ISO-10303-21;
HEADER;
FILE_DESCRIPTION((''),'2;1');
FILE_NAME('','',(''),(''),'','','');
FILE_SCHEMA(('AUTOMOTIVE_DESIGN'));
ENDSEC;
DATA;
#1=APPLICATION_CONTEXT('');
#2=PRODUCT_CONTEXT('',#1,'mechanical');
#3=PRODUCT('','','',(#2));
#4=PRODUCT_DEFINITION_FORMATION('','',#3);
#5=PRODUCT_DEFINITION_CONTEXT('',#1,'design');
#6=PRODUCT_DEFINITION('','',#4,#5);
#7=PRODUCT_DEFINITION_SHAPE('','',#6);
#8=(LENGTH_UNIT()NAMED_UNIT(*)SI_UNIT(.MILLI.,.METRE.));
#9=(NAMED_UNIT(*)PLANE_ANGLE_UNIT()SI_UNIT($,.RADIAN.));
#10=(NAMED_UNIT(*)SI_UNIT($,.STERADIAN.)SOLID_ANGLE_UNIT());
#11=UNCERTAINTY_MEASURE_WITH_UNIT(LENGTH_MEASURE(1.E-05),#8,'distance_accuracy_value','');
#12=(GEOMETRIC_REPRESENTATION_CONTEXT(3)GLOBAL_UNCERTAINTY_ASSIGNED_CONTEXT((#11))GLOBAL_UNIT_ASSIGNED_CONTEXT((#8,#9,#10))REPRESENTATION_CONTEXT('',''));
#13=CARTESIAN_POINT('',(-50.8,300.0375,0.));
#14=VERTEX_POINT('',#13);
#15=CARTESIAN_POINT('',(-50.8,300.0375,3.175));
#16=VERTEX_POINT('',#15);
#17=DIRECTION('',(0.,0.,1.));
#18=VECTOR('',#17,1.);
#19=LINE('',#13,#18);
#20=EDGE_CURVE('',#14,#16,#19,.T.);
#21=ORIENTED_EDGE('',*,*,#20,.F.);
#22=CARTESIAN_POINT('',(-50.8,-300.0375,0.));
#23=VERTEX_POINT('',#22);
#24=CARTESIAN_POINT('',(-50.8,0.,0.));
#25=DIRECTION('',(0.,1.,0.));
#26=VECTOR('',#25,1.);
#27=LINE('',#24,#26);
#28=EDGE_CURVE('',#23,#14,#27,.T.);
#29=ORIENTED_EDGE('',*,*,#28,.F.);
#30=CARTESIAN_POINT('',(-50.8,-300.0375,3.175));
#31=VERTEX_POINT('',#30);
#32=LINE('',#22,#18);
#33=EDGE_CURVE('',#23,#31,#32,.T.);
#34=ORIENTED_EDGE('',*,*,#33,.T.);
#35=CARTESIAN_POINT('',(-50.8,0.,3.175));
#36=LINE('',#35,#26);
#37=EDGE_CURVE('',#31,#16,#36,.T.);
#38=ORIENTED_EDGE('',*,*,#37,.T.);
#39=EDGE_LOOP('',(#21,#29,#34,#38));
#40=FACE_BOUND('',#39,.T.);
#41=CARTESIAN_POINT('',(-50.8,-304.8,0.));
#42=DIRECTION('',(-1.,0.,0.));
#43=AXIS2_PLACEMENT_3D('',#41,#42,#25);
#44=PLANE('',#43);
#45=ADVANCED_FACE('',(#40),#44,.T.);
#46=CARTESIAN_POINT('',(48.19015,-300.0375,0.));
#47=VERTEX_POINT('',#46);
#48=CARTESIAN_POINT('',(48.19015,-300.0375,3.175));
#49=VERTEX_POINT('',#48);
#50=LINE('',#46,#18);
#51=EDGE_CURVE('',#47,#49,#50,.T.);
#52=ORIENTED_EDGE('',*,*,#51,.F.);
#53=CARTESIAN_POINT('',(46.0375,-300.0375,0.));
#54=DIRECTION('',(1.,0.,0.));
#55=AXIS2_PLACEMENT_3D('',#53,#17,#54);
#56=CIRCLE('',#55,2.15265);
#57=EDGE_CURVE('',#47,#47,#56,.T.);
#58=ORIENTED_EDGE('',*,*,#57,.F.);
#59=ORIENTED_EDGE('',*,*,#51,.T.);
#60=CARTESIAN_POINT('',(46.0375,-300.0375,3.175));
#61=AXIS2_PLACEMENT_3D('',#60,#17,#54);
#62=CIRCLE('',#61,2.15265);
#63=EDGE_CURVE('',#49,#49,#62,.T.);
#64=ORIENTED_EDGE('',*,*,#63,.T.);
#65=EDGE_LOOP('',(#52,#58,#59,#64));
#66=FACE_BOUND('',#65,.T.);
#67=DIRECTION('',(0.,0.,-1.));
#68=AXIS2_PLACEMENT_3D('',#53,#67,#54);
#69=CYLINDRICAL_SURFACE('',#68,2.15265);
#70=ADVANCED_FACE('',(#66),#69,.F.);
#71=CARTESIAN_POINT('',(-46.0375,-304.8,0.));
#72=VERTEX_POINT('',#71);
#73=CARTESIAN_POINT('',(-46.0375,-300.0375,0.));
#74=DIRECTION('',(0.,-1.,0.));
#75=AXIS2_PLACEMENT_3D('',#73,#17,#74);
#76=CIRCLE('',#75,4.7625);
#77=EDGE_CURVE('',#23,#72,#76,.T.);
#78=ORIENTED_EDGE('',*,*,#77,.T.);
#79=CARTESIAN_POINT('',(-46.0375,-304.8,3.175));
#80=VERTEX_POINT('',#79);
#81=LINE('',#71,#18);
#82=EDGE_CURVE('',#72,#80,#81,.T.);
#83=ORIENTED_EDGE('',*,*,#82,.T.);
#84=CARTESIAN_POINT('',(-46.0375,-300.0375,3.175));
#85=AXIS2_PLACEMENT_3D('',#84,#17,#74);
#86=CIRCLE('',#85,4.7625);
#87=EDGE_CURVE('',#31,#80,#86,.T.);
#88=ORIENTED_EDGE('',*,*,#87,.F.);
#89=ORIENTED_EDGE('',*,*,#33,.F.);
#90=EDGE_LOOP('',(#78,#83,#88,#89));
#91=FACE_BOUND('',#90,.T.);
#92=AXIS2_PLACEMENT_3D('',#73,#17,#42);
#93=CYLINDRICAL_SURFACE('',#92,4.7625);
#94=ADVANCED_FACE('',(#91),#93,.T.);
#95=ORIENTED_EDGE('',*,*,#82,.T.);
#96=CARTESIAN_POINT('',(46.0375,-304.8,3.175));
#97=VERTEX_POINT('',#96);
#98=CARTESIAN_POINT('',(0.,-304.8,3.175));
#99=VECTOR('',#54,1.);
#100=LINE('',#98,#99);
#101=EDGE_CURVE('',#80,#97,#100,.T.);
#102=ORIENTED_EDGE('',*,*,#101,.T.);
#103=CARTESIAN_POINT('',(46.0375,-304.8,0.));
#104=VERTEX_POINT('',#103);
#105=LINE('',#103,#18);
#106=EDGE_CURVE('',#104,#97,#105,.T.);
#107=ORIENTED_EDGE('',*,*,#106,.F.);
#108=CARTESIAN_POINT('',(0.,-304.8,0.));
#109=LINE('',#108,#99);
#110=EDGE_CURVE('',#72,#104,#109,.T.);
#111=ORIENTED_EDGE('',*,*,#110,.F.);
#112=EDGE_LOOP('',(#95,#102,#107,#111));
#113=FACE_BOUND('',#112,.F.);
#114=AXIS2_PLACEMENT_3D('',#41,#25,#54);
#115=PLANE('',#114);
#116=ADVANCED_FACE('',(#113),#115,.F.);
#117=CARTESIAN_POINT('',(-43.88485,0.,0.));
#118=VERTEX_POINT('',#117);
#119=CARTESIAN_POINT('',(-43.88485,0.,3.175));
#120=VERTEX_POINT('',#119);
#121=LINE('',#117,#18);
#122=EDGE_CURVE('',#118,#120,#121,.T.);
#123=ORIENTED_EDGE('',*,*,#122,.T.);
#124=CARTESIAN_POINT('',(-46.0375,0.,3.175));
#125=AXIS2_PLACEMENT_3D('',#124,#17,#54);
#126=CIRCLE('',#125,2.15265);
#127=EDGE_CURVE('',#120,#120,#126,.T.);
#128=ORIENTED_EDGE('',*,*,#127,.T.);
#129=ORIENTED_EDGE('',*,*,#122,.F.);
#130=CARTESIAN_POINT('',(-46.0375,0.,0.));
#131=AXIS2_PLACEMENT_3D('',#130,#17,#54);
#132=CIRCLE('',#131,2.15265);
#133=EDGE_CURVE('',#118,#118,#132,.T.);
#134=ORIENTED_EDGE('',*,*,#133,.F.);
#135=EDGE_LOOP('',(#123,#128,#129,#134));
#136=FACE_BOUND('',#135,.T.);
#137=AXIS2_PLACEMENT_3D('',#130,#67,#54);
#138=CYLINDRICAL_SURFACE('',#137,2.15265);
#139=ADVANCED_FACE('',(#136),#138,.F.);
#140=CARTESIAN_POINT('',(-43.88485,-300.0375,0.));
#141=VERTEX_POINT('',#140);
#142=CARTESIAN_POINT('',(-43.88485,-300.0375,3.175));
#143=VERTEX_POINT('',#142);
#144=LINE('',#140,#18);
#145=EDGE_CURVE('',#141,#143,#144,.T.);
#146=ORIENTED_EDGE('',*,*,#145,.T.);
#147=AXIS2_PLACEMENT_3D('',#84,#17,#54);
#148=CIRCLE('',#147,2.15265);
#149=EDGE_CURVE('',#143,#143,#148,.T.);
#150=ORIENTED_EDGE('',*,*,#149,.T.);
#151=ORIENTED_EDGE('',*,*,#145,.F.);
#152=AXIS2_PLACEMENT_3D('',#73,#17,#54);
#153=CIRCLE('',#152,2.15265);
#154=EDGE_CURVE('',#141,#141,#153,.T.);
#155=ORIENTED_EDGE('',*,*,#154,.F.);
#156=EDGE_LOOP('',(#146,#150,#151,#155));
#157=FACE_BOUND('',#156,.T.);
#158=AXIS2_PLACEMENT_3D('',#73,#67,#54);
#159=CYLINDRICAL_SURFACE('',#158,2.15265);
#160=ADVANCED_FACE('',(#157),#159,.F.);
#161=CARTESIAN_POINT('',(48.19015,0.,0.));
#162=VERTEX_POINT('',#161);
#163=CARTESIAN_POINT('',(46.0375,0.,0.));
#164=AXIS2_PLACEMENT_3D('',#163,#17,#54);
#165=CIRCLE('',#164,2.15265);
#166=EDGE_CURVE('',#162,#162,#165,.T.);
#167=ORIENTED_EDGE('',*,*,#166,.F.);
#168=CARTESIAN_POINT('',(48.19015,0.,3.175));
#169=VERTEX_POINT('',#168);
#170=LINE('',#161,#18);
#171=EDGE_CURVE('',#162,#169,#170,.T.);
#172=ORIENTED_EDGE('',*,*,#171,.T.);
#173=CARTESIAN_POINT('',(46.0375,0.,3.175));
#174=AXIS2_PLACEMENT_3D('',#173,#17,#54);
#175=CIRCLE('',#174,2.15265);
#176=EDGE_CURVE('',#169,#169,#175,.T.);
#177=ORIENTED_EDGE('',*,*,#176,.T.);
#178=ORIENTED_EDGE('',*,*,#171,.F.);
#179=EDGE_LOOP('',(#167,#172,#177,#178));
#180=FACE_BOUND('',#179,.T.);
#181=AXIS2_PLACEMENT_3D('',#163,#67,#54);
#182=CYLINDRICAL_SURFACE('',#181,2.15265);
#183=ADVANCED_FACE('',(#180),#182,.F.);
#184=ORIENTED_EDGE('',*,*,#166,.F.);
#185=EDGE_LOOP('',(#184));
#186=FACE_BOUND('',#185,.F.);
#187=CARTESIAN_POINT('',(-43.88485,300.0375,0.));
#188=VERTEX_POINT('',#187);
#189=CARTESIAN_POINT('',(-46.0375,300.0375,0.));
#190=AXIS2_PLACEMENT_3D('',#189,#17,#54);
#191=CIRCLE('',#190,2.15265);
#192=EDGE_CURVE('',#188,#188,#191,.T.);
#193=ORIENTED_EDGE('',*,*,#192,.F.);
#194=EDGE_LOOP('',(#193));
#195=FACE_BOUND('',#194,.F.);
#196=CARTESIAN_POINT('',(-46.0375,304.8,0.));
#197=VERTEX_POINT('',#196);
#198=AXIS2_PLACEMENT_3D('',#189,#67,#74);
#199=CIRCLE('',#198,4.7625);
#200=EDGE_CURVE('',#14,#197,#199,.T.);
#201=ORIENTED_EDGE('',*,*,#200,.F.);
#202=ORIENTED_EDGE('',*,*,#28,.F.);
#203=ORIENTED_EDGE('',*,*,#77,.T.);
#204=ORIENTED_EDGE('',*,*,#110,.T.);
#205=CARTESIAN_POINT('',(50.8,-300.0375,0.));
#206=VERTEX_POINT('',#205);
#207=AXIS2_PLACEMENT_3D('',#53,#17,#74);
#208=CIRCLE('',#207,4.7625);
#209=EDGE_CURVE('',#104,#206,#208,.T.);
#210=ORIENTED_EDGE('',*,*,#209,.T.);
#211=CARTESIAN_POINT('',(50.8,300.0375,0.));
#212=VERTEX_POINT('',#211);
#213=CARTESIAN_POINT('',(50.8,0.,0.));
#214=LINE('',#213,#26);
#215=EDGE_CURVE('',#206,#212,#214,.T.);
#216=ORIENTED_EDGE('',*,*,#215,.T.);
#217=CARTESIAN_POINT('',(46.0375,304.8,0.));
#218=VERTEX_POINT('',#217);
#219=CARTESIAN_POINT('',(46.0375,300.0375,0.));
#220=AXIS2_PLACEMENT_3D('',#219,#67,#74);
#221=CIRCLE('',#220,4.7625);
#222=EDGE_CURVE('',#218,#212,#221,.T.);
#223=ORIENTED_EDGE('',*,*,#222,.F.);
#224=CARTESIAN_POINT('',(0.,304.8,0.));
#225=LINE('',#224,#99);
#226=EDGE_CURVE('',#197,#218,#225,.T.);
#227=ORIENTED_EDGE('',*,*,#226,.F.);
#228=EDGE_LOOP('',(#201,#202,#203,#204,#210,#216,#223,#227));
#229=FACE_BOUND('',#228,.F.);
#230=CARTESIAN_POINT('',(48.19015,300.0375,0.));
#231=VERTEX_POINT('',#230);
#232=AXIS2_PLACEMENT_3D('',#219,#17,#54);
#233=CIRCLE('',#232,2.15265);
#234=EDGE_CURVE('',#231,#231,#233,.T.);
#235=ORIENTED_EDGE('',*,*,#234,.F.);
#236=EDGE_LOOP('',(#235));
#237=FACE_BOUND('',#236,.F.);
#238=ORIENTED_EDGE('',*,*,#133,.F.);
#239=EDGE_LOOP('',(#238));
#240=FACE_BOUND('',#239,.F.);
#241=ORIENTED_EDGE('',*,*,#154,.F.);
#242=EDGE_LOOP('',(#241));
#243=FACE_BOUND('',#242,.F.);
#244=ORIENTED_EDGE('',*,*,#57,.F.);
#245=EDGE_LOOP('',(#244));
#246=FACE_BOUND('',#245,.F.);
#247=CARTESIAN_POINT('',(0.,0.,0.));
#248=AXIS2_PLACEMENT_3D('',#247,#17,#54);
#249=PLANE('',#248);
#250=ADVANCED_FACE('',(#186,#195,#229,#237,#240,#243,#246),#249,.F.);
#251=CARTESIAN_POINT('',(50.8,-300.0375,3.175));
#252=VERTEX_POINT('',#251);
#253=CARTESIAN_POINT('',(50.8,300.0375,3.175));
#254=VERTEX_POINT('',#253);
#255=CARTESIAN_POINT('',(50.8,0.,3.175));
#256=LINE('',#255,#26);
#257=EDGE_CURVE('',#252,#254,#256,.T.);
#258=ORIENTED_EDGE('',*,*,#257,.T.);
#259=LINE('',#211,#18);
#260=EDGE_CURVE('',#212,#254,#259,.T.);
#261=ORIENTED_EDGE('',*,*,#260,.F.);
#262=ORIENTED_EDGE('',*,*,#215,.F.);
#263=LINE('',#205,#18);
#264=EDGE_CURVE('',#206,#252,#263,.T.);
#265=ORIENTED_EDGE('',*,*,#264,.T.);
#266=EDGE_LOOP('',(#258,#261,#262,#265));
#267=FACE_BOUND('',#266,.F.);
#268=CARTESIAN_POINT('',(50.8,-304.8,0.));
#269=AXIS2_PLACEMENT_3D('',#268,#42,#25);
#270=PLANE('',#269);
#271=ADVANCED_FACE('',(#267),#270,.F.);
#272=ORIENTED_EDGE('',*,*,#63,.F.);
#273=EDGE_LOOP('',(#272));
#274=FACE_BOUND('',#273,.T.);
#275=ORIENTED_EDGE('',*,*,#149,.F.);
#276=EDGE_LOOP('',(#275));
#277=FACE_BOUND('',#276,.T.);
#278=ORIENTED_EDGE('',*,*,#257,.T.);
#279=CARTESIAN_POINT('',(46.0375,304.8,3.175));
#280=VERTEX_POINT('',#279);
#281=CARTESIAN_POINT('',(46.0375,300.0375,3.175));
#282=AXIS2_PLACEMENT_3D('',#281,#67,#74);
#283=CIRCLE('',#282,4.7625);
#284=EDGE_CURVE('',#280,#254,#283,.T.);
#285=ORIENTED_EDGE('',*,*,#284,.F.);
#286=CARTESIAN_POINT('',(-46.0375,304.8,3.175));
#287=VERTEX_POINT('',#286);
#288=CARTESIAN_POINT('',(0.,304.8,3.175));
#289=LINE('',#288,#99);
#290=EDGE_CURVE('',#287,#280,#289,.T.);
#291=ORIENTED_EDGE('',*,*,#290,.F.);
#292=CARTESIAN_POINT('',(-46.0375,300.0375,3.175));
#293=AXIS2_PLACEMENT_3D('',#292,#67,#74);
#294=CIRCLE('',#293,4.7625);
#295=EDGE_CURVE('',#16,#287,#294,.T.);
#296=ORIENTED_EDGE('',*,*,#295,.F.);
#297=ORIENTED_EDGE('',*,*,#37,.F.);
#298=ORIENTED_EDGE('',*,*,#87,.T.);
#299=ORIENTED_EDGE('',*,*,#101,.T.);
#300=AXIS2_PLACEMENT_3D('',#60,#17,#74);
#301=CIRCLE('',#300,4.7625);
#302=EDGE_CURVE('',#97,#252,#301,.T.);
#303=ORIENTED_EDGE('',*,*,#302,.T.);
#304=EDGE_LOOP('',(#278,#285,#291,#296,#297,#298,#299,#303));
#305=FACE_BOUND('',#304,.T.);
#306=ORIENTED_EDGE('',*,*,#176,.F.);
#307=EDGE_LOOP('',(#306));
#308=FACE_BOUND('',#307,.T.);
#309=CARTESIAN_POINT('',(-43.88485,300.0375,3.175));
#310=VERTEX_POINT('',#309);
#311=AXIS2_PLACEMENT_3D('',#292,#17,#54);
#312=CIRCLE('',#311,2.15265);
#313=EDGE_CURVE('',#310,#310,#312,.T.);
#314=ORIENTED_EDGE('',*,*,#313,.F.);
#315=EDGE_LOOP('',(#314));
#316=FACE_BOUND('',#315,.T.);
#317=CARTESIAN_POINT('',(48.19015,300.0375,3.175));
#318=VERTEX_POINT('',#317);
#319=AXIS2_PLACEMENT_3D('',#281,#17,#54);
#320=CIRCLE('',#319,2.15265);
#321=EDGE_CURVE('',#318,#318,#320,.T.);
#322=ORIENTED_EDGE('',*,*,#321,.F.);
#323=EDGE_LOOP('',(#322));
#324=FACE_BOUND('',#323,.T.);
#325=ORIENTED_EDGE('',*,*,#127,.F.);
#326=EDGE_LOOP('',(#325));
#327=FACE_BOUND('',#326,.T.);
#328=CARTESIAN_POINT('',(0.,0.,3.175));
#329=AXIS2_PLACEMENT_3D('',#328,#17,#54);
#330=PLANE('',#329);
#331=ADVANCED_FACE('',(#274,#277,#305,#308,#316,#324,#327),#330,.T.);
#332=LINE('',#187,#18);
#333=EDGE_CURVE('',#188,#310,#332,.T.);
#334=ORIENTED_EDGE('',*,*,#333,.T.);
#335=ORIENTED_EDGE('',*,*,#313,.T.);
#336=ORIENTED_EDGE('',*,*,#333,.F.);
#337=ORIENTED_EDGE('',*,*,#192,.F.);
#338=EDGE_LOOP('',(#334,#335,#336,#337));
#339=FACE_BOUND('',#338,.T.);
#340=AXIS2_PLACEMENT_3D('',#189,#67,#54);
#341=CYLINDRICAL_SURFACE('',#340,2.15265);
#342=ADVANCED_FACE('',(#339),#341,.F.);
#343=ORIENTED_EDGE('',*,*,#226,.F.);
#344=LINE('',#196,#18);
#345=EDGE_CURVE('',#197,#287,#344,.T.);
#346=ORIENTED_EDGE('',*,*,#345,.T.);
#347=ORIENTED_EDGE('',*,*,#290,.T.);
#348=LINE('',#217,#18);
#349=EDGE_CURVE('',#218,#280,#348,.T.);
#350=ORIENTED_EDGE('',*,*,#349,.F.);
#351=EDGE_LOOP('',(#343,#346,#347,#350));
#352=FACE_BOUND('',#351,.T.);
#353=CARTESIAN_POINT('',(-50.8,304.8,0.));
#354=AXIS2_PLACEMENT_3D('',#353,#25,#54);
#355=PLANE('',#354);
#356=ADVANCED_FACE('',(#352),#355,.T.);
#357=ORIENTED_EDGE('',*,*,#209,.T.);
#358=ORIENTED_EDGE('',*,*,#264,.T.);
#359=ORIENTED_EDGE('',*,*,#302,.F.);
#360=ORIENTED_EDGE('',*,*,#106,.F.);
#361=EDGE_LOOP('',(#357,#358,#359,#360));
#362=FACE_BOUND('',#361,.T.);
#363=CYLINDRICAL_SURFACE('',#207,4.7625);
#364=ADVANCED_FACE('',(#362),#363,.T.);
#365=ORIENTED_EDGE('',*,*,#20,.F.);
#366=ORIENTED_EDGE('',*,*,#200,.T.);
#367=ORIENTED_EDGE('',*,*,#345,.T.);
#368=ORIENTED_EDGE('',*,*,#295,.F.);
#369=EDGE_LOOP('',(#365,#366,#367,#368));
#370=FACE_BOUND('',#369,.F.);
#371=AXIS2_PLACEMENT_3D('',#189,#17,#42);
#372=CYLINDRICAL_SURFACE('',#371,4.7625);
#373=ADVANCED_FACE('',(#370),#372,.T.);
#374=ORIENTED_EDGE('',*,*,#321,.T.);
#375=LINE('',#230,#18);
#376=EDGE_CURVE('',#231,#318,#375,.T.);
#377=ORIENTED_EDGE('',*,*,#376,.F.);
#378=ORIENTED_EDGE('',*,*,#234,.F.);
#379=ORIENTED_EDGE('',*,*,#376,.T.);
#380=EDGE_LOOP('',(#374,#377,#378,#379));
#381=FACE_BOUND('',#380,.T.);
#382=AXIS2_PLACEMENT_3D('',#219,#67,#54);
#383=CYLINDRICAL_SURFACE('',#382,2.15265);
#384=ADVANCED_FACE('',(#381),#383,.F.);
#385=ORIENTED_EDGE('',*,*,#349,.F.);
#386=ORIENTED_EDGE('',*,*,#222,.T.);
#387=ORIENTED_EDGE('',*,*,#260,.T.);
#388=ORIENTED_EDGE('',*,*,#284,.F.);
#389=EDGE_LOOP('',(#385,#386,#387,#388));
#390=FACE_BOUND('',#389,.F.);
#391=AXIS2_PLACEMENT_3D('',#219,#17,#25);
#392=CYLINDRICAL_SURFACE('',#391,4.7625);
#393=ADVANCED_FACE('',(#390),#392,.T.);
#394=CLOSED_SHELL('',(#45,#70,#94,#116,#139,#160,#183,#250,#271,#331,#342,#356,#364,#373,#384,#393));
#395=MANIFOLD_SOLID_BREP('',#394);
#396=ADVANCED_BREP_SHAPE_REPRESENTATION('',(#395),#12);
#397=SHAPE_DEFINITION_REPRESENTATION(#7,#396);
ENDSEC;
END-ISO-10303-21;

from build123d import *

# Parameters (mm, degrees)
F0_W     = 101.6
F0_H     = 609.6
F0_R     = 2.15265
F1_DEPTH = 3.175
F2_R     = 4.7625


with BuildPart() as f1:
    # F0 (on Top) → F1 (new body)
    with BuildSketch(Plane.XY):
        Rectangle(F0_W, F0_H)
        with Locations((-46.0375, -300.0375)):
            Circle(F0_R, mode=Mode.SUBTRACT)
        with Locations((46.0375, -300.0375)):
            Circle(F0_R, mode=Mode.SUBTRACT)
        with Locations((-46.0375, 0)):
            Circle(F0_R, mode=Mode.SUBTRACT)
        with Locations((-46.0375, 300.0375)):
            Circle(F0_R, mode=Mode.SUBTRACT)
        with Locations((46.0375, 0)):
            Circle(F0_R, mode=Mode.SUBTRACT)
        with Locations((46.0375, 300.0375)):
            Circle(F0_R, mode=Mode.SUBTRACT)
    extrude(amount=F1_DEPTH)

    # F2
    f2_edges = [f1.edges().sort_by_distance(p)[0] for p in [
        (-50.8, 304.8, 1.5875),
        (50.8, 304.8, 1.5875),
        (50.8, -304.8, 1.5875),
        (-50.8, -304.8, 1.5875),
    ]]
    fillet(f2_edges, radius=F2_R)


solid = f1.part
